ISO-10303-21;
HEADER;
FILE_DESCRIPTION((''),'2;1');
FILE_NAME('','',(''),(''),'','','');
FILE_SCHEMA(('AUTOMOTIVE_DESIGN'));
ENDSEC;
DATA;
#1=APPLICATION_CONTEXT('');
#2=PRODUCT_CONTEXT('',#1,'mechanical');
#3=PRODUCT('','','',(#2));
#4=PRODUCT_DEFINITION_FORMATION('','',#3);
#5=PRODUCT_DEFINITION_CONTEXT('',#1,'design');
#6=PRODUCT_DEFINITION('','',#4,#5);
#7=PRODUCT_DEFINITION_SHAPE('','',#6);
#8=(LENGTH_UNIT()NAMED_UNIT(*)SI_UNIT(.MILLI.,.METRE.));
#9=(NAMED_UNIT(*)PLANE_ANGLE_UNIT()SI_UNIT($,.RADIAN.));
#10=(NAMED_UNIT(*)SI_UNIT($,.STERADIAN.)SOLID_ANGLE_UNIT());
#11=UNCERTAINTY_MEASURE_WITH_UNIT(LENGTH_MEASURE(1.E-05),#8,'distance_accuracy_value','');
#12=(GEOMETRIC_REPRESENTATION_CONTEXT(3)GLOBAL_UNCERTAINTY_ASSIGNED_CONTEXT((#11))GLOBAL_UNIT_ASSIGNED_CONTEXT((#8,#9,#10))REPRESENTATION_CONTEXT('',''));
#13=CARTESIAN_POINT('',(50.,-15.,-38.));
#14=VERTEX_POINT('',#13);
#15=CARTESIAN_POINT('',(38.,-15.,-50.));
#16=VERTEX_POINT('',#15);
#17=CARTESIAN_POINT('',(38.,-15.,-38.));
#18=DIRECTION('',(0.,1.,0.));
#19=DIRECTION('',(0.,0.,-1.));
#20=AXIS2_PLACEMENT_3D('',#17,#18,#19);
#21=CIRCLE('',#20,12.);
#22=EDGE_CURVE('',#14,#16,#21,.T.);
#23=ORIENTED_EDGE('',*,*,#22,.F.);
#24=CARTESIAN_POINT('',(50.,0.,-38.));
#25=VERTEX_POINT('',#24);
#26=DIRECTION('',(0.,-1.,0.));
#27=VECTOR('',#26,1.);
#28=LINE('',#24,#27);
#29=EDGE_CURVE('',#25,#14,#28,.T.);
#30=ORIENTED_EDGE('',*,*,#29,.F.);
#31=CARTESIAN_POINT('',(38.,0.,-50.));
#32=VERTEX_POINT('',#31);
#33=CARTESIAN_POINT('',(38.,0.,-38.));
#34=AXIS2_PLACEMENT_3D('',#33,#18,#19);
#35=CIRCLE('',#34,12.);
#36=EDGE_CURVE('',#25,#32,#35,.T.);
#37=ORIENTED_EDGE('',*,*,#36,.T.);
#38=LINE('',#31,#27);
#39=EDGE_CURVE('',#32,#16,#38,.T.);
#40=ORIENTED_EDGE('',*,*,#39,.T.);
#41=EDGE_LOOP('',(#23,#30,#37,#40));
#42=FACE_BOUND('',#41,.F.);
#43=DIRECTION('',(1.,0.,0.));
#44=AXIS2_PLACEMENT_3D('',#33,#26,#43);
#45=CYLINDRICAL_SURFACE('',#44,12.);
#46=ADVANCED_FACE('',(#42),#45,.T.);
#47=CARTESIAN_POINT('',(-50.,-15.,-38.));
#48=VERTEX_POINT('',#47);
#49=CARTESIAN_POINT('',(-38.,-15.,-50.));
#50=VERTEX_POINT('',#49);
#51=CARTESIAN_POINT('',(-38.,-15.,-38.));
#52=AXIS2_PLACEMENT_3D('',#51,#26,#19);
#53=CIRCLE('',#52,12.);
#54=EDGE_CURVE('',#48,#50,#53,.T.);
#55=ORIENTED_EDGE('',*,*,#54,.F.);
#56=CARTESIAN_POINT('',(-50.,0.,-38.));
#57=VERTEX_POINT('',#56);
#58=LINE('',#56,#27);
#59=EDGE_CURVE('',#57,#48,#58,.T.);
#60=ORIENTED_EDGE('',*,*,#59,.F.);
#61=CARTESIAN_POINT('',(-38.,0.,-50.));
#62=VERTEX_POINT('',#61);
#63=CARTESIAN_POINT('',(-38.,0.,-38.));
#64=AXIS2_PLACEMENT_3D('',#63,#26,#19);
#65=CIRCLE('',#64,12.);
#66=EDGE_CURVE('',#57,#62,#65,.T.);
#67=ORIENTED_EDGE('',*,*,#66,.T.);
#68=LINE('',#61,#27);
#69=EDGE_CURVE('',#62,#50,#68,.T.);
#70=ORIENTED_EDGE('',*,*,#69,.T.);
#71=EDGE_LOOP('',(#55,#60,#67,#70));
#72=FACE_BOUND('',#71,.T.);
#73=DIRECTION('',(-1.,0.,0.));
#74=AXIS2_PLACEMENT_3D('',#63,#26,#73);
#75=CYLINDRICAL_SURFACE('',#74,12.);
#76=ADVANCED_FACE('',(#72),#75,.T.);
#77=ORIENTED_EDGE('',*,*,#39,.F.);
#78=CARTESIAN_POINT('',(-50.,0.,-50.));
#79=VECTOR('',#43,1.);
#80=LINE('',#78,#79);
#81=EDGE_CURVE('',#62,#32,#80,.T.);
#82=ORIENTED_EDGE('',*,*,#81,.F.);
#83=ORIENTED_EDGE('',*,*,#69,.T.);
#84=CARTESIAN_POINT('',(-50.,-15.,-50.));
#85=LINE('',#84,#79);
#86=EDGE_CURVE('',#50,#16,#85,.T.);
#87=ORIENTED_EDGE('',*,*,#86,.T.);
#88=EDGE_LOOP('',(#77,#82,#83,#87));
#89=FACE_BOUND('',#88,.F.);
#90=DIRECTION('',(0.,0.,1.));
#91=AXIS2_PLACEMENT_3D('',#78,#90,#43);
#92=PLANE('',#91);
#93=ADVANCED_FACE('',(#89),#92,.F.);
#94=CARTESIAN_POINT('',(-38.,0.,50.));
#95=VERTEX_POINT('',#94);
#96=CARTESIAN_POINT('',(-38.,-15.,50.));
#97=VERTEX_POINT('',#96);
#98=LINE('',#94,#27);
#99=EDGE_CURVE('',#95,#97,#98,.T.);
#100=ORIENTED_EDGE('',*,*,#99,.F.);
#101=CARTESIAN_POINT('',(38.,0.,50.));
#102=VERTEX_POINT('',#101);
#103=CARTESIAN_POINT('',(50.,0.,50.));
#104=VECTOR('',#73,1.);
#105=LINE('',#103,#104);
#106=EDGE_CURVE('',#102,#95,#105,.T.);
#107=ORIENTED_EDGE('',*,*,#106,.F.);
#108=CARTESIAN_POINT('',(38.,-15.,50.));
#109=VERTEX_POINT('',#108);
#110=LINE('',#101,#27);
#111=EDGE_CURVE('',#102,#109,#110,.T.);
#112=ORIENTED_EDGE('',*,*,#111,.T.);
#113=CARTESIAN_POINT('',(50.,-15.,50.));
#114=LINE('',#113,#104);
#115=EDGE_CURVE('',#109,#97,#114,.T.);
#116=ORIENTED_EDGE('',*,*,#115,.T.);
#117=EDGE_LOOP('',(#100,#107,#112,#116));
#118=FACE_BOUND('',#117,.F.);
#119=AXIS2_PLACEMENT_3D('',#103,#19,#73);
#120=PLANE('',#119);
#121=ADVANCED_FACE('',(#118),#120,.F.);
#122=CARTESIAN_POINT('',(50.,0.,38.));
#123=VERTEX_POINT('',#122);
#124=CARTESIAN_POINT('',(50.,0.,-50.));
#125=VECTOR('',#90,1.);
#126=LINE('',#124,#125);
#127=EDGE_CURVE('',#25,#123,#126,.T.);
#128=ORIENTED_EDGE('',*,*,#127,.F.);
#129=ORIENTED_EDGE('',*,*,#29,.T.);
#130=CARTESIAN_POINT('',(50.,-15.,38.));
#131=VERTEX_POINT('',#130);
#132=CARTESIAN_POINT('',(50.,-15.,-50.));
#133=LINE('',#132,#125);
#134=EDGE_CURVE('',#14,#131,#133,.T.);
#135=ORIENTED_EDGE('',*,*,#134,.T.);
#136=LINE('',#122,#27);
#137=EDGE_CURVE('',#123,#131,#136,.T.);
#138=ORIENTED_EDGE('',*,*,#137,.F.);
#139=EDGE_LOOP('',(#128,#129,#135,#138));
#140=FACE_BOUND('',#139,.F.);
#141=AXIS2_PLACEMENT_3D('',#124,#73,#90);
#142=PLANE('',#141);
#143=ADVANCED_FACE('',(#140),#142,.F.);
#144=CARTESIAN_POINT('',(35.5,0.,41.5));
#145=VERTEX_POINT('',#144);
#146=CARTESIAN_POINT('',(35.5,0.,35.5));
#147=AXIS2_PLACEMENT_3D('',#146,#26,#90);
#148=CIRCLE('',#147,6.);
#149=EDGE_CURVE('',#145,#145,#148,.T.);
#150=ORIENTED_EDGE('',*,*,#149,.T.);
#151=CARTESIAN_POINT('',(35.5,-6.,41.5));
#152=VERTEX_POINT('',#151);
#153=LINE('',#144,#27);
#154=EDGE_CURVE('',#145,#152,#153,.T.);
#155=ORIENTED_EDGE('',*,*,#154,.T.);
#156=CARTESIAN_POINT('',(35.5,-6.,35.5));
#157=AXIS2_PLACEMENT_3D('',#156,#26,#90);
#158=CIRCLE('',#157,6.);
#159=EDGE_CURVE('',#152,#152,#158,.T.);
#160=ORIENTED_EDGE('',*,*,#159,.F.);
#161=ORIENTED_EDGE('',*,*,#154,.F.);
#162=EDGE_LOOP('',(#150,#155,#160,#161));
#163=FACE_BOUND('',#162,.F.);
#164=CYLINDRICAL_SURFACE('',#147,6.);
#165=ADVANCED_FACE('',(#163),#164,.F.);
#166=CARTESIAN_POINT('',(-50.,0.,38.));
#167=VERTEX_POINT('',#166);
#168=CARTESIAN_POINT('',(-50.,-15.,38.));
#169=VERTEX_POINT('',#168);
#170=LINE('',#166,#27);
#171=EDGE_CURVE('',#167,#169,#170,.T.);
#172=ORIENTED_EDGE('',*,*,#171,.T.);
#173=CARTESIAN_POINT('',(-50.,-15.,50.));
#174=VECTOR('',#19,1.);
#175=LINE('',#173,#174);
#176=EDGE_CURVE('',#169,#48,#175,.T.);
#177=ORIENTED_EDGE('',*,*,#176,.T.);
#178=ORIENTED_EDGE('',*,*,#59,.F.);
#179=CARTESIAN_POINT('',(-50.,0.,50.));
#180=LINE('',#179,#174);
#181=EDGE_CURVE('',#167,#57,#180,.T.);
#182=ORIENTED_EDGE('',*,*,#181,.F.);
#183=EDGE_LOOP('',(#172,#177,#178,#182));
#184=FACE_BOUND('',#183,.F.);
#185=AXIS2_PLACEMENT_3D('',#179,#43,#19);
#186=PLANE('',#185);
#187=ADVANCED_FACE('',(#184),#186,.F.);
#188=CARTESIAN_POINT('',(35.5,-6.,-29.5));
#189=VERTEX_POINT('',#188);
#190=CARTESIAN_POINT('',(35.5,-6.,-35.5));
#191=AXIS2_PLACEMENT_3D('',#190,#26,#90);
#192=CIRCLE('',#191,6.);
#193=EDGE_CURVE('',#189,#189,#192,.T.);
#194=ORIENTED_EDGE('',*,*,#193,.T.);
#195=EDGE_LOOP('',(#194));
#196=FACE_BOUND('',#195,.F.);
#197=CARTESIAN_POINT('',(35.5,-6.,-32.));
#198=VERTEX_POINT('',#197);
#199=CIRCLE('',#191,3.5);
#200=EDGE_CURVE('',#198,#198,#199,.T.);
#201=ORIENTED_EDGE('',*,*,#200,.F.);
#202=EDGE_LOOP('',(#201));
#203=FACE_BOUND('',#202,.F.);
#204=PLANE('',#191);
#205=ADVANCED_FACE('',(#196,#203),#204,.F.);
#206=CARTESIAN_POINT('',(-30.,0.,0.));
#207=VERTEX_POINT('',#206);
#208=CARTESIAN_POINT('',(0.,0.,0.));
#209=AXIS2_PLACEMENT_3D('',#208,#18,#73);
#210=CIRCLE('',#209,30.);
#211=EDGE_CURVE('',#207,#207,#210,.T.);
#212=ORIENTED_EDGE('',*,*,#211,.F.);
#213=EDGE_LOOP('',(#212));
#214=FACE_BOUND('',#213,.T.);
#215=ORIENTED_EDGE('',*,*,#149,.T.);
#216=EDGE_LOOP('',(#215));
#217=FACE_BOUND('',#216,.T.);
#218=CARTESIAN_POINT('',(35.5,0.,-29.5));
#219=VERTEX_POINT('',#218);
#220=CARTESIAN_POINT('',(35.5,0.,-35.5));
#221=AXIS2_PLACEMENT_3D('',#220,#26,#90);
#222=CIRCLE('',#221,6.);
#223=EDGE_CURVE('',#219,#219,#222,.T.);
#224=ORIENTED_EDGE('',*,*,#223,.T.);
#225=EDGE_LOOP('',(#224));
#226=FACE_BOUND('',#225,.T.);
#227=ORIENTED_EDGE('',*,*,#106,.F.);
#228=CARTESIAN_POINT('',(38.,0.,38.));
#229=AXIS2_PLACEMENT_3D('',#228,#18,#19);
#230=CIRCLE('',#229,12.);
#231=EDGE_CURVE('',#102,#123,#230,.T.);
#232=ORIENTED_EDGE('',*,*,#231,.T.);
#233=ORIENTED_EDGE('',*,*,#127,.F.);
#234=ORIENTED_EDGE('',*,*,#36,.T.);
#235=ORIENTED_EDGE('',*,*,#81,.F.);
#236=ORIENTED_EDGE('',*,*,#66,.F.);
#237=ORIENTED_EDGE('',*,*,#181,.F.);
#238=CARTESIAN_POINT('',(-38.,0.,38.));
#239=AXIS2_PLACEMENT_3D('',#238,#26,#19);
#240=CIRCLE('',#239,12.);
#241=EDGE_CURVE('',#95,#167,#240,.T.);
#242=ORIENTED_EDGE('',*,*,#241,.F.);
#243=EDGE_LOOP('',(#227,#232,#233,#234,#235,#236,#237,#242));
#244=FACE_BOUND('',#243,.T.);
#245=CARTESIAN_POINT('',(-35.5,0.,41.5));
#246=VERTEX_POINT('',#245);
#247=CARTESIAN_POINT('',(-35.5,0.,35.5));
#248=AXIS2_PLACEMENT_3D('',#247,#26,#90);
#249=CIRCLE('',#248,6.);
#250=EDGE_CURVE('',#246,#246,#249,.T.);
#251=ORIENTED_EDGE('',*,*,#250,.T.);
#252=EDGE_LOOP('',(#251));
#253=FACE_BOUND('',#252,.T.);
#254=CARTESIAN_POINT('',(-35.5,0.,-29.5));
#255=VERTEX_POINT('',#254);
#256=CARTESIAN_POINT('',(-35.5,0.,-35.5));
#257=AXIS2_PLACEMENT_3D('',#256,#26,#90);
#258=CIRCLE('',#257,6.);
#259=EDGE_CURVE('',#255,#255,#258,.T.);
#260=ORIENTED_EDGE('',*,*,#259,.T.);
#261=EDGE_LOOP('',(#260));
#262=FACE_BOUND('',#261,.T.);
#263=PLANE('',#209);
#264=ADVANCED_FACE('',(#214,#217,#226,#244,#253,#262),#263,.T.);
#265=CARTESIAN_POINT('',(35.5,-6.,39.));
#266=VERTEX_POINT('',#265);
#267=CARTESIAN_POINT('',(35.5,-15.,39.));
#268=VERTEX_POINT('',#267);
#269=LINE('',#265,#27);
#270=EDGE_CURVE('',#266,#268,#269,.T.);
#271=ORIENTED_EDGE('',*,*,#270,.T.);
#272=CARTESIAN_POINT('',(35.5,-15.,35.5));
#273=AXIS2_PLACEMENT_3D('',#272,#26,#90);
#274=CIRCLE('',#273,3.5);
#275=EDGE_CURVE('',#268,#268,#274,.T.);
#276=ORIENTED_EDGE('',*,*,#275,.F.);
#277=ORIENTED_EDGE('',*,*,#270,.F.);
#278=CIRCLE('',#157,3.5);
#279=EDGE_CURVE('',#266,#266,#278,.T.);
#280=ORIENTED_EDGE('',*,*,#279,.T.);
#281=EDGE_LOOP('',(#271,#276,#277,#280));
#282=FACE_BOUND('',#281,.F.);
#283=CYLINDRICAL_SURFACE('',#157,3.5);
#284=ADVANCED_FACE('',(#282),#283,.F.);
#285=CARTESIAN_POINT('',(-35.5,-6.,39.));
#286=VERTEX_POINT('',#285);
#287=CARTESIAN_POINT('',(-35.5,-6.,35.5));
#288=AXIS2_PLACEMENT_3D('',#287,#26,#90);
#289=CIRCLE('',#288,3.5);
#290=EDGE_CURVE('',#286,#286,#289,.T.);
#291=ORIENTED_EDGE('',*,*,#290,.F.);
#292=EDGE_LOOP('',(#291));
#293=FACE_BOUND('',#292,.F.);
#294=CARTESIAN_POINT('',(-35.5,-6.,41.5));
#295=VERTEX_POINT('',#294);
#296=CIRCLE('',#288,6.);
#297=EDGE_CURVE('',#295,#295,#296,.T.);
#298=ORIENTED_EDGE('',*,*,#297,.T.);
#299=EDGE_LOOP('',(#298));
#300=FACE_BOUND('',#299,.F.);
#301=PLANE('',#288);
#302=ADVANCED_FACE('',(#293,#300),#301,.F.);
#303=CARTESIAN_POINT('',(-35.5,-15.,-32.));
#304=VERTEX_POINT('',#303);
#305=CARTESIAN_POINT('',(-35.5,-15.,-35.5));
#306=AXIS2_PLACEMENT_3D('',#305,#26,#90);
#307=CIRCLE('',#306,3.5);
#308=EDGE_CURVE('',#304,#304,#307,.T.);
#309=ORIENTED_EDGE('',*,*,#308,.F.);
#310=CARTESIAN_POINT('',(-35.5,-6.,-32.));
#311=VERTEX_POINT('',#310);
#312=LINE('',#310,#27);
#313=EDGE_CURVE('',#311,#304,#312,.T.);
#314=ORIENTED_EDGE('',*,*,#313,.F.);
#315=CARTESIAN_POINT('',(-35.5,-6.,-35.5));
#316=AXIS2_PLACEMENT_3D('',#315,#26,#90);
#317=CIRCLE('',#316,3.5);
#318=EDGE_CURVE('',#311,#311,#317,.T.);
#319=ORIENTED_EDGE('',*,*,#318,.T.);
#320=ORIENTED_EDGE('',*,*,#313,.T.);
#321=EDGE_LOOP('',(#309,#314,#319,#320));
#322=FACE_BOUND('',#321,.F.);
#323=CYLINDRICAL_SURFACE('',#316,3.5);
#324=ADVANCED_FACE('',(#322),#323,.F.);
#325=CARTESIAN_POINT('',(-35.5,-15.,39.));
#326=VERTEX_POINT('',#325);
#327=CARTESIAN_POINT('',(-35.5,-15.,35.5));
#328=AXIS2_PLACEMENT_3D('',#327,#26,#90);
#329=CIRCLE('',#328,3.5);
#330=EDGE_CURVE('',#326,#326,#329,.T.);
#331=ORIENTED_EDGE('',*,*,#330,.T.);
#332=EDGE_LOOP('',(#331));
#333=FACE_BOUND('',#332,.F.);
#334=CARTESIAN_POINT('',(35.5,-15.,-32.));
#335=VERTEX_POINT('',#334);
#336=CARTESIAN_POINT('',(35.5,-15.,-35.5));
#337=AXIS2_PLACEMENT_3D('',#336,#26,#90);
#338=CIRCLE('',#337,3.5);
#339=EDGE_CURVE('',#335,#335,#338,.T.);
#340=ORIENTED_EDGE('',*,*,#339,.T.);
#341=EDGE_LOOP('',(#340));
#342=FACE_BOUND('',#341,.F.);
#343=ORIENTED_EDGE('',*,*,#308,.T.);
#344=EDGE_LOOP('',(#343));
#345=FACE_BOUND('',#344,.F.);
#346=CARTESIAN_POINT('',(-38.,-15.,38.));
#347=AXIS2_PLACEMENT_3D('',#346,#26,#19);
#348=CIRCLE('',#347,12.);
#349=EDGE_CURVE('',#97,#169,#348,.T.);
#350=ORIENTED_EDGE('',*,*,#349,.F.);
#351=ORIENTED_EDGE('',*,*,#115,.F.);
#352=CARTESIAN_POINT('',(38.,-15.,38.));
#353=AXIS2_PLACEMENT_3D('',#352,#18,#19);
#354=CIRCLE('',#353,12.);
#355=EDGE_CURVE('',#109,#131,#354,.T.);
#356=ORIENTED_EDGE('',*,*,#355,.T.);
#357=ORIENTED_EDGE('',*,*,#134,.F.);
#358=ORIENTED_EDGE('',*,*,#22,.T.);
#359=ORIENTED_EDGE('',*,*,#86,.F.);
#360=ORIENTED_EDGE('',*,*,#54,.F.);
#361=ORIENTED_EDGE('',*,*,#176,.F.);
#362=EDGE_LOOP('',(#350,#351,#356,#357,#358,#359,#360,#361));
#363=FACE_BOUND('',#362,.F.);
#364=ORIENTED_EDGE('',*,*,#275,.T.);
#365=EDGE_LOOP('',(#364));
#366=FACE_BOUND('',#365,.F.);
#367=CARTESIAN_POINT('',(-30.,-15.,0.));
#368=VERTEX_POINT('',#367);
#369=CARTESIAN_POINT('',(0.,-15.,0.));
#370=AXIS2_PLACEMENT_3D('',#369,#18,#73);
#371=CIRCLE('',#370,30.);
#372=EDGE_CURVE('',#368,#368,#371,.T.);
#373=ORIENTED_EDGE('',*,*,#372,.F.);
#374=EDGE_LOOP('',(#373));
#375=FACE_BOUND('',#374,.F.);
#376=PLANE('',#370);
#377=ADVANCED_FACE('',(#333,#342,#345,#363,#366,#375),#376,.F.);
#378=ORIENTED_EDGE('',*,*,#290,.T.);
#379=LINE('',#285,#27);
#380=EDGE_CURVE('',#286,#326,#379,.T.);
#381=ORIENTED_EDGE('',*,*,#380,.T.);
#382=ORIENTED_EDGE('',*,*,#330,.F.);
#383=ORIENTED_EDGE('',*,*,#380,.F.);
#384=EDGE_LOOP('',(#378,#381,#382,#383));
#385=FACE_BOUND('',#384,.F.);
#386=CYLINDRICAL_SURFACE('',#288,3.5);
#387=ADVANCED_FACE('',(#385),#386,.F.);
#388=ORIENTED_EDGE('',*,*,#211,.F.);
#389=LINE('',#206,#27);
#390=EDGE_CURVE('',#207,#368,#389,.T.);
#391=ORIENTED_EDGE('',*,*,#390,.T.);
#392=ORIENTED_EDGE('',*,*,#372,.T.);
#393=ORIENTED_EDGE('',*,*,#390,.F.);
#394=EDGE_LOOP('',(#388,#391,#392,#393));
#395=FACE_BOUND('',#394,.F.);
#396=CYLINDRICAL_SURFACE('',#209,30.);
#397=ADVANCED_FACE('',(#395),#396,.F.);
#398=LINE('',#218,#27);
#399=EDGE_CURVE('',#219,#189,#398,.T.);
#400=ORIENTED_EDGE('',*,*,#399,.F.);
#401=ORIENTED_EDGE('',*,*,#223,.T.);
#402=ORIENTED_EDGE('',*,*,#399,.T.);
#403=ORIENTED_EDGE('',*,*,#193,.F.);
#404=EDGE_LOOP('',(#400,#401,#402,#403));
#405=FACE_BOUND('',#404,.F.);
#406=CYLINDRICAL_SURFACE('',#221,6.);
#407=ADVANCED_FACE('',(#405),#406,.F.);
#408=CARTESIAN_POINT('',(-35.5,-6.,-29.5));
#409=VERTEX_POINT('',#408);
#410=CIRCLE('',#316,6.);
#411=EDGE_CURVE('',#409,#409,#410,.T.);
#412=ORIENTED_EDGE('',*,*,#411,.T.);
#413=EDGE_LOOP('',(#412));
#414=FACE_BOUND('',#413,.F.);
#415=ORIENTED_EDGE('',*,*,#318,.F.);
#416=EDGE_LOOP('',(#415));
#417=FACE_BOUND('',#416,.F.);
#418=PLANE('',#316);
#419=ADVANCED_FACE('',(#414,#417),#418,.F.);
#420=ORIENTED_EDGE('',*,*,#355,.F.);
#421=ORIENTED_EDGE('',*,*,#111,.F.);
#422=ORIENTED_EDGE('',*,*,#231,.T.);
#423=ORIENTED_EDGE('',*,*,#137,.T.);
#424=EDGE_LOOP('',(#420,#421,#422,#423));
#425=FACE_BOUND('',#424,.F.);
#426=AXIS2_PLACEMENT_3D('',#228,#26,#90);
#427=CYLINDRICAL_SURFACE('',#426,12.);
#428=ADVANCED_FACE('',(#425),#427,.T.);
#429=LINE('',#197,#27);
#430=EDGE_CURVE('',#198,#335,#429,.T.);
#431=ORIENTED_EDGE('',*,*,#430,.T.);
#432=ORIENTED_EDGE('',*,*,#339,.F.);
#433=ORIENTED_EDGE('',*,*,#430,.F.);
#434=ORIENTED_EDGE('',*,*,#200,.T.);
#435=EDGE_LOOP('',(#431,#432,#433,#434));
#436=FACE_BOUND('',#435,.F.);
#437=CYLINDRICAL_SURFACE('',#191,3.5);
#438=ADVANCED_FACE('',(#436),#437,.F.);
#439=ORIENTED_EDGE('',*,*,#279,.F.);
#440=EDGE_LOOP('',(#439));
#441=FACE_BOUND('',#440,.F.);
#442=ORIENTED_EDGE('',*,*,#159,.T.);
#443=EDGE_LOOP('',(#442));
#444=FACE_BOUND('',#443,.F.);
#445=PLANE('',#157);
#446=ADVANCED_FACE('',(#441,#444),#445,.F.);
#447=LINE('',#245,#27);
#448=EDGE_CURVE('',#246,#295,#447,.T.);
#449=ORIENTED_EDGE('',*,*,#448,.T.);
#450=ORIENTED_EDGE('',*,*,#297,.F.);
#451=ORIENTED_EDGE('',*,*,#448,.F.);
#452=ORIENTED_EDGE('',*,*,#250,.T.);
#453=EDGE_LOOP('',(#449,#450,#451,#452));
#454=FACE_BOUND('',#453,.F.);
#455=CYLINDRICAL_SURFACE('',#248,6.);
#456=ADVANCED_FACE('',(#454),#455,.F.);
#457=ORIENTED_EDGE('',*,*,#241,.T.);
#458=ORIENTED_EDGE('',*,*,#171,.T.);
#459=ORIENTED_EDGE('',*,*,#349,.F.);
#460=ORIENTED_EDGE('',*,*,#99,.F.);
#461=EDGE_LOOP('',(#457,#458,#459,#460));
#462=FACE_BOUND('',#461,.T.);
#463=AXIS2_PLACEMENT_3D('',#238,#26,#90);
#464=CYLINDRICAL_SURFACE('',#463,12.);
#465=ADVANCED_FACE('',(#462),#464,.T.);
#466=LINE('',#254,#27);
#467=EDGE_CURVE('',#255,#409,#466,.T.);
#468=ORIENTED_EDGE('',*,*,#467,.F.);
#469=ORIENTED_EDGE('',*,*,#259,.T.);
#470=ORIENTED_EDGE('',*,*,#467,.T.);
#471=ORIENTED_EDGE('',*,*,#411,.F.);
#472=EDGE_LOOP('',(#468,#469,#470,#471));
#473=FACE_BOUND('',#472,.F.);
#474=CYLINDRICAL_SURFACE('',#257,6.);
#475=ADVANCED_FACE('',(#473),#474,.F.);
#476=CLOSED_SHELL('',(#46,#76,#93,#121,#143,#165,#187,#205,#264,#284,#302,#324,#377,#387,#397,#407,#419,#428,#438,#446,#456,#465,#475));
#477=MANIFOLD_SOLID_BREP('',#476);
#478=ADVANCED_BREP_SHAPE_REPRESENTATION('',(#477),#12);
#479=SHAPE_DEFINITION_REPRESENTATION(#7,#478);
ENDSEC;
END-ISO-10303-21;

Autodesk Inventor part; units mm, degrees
ref_plane "YZ Plane" through (0, 0, 0) normal (1, 0, 0) x (0, 1, 0)
ref_plane "XZ Plane" through (0, 0, 0) normal (0, 1, 0) x (-1, 0, 0)
ref_plane "XY Plane" through (0, 0, 0) normal (0, 0, 1) x (1, 0, 0)
sketch "Sketch1" plane through (0, 0, 0) normal (0, 1, 0) x (-1, 0, 0)
  line L0 (-50, 50) -> (50, 50)
  line L1 (50, 50) -> (50, -50)
  line L2 (50, -50) -> (-50, -50)
  line L3 (-50, -50) -> (-50, 50)
  line L4 (-50, 50) -> (50, -50) construction
  line L5 (50, 50) -> (-50, -50) construction
  circle A0 centre (0, 0) radius 30
  line L6 (-35.5, 35.5) -> (35.5, 35.5) construction
  line L7 (35.5, 35.5) -> (35.5, -35.5) construction
  line L8 (35.5, -35.5) -> (-35.5, -35.5) construction
  line L9 (-35.5, -35.5) -> (-35.5, 35.5) construction
  line L10 (-35.5, 35.5) -> (35.5, -35.5) construction
  line L11 (35.5, 35.5) -> (-35.5, -35.5) construction
  dimension "d0" = 100
  dimension "d1" = 60
  dimension "d2" = 71
  dimension "d13" = 100.4092
extrude "Extrusion1" add sketch "Sketch1" against normal blind 15
hole "Hole1" at (-35.5, 0, -35.5) at (35.5, 0, -35.5) at (35.5, 0, 35.5) at (-35.5, 0, 35.5) direction (0, -1, 0) diameter 7 end through all counterbore diameter 12 counterbore depth 6
fillet "Fillet1" radius 12 4 edges at (-50, -7.5, -50) (50, -7.5, -50) (50, -7.5, 50) (-50, -7.5, 50)
properties part number "MP1-001" material "Wood (Birch)"
